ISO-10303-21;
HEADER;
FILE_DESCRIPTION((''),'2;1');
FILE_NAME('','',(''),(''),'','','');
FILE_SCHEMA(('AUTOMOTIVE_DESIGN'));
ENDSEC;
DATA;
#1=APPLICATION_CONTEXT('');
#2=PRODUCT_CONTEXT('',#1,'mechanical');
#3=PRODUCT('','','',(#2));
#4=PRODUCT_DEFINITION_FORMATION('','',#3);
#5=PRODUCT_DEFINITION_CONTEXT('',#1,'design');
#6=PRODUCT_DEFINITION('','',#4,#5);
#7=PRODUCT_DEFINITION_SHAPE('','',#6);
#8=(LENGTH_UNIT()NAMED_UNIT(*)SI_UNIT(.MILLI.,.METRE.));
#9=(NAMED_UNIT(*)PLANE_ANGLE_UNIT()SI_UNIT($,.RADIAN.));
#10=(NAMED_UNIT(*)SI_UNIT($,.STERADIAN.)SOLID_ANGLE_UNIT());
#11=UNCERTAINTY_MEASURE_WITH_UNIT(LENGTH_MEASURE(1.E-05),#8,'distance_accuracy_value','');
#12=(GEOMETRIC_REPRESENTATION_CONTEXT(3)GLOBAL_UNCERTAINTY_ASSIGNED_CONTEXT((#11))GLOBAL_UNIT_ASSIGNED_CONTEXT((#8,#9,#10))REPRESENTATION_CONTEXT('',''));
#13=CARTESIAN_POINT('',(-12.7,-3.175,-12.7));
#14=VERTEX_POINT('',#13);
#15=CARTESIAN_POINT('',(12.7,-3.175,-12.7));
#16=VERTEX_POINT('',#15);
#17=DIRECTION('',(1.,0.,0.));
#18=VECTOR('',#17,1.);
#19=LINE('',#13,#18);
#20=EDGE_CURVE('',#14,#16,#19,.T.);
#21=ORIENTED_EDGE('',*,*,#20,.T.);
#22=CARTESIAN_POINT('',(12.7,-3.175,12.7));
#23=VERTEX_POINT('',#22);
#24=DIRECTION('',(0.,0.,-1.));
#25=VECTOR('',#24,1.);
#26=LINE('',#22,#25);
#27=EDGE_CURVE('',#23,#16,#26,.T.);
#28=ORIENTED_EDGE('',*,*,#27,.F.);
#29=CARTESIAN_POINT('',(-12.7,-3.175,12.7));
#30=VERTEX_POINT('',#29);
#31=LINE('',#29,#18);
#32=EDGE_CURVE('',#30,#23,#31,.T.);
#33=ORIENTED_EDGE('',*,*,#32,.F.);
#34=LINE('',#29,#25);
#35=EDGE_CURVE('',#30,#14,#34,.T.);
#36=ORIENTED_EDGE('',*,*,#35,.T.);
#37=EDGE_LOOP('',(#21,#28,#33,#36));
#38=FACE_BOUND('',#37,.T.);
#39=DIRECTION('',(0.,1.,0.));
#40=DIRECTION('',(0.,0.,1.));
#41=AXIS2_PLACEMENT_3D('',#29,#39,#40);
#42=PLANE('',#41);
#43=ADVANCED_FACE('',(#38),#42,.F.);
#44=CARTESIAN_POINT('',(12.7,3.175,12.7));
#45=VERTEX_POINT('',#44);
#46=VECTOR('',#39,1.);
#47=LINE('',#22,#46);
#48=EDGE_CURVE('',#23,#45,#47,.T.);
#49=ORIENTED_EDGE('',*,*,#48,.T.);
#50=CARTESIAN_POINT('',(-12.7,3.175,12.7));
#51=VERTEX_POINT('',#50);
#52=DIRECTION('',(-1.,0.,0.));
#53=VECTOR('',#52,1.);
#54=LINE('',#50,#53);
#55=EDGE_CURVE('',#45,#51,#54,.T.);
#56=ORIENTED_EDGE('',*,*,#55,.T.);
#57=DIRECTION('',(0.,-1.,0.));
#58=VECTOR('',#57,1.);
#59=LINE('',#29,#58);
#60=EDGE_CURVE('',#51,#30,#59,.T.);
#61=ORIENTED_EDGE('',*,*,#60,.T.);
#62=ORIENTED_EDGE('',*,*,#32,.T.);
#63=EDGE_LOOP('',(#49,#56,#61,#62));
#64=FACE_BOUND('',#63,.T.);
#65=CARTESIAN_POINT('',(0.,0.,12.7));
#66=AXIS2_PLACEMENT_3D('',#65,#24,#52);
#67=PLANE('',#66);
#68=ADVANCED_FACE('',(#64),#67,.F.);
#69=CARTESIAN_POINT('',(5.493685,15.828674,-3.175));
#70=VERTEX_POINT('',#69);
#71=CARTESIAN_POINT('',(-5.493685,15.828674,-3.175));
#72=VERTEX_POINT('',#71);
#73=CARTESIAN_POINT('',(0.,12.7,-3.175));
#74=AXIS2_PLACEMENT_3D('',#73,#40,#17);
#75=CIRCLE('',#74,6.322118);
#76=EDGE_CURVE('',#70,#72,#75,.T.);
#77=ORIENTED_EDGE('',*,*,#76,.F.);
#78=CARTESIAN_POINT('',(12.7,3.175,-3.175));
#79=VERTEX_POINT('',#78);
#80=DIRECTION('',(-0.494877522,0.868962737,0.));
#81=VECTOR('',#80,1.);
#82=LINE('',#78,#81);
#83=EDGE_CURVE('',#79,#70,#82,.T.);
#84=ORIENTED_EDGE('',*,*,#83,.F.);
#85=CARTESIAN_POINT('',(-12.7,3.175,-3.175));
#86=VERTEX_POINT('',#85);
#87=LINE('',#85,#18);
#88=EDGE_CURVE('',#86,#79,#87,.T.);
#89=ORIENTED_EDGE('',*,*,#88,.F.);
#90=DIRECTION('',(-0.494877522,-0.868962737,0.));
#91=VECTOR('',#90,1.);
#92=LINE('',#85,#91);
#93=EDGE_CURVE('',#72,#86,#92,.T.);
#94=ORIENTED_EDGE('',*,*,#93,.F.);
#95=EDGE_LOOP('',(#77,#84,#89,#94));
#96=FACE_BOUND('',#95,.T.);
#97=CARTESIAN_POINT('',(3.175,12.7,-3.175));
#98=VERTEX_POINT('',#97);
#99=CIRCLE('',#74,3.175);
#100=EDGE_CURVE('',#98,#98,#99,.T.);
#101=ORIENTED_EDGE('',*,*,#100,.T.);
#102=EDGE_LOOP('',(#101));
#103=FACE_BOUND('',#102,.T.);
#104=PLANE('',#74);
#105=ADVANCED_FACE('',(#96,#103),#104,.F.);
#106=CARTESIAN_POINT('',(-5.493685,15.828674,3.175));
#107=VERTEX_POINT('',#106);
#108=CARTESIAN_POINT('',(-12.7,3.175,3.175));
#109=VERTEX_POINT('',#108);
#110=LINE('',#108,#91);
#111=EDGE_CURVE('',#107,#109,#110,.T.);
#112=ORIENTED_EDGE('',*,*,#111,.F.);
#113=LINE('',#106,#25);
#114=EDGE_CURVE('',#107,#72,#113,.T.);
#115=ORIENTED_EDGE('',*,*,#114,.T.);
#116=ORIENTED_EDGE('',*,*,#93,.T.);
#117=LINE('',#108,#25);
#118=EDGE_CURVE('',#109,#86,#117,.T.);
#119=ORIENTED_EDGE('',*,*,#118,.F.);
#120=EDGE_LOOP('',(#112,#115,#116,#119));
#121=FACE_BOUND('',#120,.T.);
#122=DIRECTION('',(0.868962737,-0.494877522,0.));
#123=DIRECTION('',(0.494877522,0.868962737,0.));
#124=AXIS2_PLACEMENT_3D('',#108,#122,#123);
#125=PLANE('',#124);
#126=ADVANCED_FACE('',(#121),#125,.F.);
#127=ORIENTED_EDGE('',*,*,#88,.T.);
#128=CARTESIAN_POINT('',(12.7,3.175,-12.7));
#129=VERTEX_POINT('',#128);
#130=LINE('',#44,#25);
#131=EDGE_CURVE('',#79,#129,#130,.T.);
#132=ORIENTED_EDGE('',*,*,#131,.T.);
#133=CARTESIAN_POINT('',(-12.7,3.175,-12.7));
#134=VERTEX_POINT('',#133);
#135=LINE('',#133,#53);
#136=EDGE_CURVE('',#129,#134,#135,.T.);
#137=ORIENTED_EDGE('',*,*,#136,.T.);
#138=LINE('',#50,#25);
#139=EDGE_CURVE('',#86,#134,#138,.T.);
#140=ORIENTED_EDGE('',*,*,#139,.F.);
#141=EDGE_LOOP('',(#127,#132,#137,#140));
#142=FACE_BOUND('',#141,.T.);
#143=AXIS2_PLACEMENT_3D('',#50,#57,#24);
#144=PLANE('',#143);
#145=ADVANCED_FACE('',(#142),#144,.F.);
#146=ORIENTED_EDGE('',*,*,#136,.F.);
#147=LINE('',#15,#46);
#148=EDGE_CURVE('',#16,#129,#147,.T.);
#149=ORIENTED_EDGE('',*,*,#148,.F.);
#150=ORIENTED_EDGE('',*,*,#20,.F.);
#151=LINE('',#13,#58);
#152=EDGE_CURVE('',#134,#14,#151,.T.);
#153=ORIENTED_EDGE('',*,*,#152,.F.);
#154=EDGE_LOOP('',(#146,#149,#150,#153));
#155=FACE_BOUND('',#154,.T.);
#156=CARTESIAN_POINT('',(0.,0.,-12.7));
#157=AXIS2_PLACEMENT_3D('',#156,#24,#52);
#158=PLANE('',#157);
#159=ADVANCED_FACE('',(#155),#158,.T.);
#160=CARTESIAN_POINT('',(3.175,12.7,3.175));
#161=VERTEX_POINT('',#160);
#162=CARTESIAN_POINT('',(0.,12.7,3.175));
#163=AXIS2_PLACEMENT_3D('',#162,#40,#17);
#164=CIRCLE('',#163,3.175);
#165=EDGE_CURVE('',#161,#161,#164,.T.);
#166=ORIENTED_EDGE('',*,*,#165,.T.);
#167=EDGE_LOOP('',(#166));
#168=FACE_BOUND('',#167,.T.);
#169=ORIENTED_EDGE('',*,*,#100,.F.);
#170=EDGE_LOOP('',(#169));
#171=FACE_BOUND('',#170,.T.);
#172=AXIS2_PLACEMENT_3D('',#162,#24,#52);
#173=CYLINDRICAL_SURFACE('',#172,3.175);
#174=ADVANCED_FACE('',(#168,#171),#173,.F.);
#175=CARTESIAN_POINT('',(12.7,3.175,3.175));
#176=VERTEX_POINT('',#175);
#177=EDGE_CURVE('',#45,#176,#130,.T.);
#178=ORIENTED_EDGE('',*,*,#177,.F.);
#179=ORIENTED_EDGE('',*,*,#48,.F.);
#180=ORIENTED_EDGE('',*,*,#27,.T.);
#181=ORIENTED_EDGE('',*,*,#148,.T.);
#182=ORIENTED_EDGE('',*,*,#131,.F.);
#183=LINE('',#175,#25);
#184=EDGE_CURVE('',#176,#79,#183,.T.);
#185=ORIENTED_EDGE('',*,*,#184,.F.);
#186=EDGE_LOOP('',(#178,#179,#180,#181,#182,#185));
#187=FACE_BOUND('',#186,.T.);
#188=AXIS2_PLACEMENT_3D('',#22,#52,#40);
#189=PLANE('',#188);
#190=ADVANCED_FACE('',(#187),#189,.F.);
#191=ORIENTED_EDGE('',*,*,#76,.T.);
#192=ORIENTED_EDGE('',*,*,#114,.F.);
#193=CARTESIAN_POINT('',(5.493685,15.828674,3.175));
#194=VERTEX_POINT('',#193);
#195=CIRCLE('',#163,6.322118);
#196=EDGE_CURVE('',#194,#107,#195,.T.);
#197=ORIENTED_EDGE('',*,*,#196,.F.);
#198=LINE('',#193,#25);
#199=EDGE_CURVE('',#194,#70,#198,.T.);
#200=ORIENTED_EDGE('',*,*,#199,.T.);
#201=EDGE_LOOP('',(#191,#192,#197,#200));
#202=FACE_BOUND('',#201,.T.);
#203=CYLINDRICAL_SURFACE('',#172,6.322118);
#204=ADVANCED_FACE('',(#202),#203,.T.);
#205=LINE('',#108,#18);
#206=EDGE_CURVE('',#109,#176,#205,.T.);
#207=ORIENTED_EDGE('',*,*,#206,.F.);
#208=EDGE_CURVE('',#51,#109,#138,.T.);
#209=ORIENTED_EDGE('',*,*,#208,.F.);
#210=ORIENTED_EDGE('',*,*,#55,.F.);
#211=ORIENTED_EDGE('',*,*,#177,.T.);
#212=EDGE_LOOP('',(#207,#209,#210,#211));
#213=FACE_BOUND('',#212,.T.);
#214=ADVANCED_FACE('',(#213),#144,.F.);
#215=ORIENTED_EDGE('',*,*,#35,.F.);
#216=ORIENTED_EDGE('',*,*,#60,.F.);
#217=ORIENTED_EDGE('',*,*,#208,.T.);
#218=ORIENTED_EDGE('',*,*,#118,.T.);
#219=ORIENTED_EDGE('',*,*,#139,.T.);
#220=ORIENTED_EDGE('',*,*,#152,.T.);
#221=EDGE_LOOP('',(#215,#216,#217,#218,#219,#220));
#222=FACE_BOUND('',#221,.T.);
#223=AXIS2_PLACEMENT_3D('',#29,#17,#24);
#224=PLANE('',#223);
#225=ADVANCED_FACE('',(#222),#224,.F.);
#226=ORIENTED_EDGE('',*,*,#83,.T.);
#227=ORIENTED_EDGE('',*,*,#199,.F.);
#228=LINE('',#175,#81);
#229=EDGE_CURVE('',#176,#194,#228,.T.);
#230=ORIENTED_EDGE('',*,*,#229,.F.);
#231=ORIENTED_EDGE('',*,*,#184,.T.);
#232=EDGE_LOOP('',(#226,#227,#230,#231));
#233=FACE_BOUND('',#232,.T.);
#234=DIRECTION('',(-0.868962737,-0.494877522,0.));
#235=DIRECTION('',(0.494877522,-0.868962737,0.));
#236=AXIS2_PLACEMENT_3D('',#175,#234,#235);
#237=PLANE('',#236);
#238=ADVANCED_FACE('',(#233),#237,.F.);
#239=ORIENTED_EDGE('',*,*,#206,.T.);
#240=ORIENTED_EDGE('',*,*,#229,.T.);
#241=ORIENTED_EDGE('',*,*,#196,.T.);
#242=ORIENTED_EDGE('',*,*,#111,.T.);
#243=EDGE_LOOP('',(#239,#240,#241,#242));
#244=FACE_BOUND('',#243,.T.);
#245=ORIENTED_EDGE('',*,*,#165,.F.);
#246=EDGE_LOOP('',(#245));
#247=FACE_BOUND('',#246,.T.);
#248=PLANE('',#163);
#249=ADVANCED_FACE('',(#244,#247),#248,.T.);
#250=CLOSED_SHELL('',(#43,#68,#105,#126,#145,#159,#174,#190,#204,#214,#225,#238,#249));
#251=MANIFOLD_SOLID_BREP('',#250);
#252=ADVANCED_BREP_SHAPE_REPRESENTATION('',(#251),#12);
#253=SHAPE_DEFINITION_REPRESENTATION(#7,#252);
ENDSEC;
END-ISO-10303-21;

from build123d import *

# Parameters (mm, degrees)
SKETCH1_W           = 25.4
SKETCH1_H           = 6.35
BOSS_EXTRUDE1_DEPTH = 12.7
SKETCH2_R           = 3.175
BOSS_EXTRUDE2_DEPTH = 3.175


with BuildPart() as part:
    # Sketch1 → Boss-Extrude1 (new body, symmetric)
    with BuildSketch(Plane.XY):
        Rectangle(SKETCH1_W, SKETCH1_H)
    extrude(amount=BOSS_EXTRUDE1_DEPTH, both=True)

    # Sketch2 → Boss-Extrude2 (add, symmetric)
    with BuildSketch(Plane.XY):
        with BuildLine():
            Line((-12.7, 3.175), (-5.493685279, 15.828674269))
            ThreePointArc((-5.493685279, 15.828674269), (0, 19.022118366), (5.493685279, 15.828674269))
            Line((5.493685279, 15.828674269), (12.7, 3.175))
            Line((12.7, 3.175), (-12.7, 3.175))
        make_face()
        with Locations((0, 12.7)):
            Circle(SKETCH2_R, mode=Mode.SUBTRACT)
    extrude(amount=BOSS_EXTRUDE2_DEPTH, both=True)


solid = part.part
